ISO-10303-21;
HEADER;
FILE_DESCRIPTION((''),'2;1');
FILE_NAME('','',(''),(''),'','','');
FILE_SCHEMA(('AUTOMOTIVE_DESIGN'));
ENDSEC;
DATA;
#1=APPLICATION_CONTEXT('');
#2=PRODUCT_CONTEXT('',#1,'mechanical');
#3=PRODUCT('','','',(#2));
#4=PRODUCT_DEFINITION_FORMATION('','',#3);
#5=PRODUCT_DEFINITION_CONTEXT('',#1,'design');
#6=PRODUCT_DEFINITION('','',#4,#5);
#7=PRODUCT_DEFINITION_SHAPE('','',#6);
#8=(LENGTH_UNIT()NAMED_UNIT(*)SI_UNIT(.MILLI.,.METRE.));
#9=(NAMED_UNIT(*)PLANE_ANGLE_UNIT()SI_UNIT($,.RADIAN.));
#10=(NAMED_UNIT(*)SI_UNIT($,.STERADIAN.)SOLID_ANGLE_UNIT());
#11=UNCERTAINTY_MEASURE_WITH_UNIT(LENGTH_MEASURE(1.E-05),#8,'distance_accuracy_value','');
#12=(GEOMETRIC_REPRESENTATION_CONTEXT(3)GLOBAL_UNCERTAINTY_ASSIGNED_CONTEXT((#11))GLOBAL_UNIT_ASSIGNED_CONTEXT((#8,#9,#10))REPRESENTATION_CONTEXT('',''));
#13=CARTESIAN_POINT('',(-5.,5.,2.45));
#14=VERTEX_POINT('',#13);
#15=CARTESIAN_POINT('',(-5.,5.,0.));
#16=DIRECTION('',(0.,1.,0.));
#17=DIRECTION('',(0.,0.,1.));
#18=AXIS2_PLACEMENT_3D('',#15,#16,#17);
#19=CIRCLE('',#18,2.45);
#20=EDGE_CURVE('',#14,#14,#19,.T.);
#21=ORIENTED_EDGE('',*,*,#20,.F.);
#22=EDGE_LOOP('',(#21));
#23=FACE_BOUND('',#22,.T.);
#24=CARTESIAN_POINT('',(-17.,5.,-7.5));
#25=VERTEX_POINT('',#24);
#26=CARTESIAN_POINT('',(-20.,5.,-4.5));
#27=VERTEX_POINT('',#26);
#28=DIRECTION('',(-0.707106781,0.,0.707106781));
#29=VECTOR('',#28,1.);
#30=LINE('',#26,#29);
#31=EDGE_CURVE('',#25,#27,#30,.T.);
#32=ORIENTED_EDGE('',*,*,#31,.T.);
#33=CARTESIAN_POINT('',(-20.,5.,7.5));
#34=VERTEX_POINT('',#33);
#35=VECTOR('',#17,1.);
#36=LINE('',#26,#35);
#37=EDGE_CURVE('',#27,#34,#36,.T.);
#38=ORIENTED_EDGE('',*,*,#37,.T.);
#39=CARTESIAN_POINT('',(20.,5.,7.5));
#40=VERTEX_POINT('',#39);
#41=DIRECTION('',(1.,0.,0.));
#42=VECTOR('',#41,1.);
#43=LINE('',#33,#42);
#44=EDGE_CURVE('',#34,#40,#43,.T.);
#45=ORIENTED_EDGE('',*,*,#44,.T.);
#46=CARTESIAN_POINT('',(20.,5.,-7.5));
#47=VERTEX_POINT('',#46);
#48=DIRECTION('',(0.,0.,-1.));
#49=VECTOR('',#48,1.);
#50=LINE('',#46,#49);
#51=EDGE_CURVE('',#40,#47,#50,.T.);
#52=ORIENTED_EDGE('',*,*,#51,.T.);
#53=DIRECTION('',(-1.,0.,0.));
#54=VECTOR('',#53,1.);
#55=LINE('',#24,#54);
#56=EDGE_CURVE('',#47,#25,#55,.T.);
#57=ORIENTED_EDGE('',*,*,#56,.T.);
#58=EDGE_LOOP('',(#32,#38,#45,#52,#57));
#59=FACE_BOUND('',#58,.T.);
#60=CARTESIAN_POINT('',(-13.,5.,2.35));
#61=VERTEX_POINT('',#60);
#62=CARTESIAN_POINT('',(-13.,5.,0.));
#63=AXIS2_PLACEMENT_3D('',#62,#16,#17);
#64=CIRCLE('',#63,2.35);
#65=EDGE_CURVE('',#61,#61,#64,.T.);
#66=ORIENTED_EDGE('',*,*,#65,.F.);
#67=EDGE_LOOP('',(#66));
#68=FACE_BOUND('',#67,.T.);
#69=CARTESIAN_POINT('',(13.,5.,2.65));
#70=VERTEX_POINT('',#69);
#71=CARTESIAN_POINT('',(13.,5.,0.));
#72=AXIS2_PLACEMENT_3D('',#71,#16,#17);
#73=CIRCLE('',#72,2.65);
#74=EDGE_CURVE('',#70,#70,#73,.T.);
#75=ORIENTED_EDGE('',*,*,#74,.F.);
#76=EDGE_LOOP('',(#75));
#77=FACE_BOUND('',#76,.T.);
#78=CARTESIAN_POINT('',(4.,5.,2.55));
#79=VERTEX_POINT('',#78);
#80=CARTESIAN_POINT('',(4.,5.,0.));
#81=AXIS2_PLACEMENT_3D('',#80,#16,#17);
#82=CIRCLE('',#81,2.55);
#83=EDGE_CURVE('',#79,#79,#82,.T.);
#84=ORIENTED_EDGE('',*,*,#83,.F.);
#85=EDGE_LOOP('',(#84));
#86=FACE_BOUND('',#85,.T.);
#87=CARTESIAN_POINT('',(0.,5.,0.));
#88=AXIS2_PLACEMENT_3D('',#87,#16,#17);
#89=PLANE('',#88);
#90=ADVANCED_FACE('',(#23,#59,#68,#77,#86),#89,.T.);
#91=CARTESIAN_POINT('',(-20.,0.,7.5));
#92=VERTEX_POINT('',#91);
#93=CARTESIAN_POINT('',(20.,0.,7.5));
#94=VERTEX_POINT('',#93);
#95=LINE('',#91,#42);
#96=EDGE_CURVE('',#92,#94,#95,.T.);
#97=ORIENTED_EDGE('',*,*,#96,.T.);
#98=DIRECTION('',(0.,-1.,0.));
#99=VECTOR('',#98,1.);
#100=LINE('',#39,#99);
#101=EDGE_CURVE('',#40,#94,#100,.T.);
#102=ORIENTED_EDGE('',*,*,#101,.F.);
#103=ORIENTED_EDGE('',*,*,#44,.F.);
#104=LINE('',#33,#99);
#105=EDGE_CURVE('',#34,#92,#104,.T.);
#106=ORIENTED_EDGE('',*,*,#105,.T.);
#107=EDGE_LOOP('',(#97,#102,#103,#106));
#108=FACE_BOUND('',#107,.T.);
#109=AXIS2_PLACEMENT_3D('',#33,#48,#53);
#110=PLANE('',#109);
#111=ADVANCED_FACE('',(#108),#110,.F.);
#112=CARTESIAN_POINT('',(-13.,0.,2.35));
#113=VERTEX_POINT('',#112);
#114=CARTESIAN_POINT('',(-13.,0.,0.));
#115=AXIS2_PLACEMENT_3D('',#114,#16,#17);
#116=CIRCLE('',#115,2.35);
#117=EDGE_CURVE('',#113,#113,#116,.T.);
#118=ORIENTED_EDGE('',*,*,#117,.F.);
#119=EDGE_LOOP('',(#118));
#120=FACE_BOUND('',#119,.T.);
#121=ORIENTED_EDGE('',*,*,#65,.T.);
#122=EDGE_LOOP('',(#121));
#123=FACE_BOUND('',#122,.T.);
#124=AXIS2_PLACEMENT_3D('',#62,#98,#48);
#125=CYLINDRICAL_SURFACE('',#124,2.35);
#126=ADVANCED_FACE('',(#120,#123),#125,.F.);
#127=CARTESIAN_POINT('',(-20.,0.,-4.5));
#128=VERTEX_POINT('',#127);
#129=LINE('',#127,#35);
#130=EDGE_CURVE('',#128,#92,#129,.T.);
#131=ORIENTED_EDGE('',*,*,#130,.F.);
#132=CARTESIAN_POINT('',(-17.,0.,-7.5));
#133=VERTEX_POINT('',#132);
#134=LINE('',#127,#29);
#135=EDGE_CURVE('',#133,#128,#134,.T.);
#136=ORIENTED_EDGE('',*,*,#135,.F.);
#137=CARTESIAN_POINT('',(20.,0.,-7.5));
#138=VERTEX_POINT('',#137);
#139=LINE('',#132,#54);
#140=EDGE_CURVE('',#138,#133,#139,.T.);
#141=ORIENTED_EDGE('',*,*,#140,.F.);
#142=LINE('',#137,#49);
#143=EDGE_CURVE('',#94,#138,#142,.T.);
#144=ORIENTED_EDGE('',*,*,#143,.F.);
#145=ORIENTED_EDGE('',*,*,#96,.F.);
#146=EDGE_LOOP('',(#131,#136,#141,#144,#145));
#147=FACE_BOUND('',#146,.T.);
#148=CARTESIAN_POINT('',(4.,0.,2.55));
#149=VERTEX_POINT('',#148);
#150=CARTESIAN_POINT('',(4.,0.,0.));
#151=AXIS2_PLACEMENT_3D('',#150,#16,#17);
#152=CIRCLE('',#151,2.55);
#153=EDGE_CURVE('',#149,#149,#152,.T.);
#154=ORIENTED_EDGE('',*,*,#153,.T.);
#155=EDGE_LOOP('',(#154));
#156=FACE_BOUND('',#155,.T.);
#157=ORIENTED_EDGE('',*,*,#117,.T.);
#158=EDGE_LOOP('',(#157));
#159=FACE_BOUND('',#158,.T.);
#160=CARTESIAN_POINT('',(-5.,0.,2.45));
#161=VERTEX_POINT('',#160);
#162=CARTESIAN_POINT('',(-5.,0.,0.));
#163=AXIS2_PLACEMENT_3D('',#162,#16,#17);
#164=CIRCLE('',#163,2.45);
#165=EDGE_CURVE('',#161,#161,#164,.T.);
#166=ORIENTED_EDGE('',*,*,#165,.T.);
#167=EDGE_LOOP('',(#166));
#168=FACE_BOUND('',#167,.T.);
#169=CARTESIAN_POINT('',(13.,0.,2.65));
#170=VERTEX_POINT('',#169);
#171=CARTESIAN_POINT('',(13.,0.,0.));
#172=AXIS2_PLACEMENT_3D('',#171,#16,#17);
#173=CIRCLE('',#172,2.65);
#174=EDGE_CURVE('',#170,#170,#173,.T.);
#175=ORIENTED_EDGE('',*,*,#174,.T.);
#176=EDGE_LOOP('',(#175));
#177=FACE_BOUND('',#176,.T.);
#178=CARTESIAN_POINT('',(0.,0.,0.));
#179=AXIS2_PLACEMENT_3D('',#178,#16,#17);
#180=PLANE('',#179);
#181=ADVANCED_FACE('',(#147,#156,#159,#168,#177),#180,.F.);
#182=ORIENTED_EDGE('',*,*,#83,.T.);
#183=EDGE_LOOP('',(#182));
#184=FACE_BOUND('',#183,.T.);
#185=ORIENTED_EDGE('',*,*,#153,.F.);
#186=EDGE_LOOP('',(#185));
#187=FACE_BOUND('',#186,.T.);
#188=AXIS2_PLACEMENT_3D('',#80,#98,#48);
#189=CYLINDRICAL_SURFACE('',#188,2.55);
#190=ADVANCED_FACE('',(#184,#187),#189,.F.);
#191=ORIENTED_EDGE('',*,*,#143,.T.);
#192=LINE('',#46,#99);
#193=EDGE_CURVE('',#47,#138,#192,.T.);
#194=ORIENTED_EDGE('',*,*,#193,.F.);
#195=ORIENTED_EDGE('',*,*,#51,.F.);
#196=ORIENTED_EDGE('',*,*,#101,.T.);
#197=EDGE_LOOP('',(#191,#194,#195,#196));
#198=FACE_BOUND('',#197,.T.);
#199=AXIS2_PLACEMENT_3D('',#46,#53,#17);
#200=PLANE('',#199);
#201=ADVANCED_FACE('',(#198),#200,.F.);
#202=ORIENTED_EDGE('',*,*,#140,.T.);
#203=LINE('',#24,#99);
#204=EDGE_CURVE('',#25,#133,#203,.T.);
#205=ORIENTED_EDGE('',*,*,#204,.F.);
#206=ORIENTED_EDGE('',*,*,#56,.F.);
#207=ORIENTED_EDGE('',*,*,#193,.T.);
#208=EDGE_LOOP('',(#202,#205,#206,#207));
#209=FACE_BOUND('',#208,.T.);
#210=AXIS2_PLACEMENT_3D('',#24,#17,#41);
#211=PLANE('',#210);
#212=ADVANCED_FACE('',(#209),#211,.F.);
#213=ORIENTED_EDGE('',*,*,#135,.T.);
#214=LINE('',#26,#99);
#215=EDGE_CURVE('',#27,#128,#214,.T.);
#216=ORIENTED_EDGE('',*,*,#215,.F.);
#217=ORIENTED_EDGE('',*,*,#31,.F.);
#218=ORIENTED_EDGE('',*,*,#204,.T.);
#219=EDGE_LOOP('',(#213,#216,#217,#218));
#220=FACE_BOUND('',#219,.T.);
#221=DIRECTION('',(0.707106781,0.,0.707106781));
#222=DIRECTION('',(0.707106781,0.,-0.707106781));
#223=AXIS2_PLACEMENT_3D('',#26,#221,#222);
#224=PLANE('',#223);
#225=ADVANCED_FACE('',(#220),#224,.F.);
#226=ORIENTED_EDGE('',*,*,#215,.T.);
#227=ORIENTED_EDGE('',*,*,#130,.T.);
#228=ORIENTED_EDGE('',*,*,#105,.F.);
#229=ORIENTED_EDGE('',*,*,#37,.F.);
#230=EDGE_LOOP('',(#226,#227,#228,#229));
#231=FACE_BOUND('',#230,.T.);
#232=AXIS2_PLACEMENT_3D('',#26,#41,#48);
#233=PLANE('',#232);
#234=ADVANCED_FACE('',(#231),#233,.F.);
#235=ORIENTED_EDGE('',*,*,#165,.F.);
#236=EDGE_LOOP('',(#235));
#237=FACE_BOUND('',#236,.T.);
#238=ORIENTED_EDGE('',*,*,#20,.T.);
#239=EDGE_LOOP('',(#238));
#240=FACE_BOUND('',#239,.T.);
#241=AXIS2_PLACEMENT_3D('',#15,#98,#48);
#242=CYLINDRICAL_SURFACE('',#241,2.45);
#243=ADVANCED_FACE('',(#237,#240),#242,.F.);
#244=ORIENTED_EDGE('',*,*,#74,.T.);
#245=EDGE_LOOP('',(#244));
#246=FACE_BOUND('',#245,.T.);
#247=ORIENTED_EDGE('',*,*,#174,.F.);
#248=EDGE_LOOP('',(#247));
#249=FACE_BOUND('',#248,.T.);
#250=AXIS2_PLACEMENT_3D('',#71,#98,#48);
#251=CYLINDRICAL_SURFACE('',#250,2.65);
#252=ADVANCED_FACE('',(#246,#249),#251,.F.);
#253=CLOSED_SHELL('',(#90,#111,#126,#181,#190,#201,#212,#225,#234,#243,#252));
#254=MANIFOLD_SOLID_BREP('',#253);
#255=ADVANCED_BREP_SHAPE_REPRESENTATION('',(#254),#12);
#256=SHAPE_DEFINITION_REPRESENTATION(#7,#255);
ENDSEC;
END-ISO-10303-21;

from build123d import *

# Parameters (mm, degrees)
SKETCH1_R           = 2.35
SKETCH1_R_2         = 2.55
SKETCH1_R_3         = 2.65
SKETCH1_R_4         = 2.45
BOSS_EXTRUDE1_DEPTH = 5


with BuildPart() as part:
    # Sketch1 → Boss-Extrude1 (new body)
    with BuildSketch(Plane(origin=(0, 0, 0), x_dir=(1, 0, 0), z_dir=(0, 1, 0))):
        Polygon((-17, 7.5), (20, 7.5), (20, -7.5), (-20, -7.5), (-20, 4.5), align=None)
        with Locations((-13, 0)):
            Circle(SKETCH1_R, mode=Mode.SUBTRACT)
        with Locations((4, 0)):
            Circle(SKETCH1_R_2, mode=Mode.SUBTRACT)
        with Locations((13, 0)):
            Circle(SKETCH1_R_3, mode=Mode.SUBTRACT)
        with Locations((-5, 0)):
            Circle(SKETCH1_R_4, mode=Mode.SUBTRACT)
    extrude(amount=BOSS_EXTRUDE1_DEPTH)


solid = part.part
